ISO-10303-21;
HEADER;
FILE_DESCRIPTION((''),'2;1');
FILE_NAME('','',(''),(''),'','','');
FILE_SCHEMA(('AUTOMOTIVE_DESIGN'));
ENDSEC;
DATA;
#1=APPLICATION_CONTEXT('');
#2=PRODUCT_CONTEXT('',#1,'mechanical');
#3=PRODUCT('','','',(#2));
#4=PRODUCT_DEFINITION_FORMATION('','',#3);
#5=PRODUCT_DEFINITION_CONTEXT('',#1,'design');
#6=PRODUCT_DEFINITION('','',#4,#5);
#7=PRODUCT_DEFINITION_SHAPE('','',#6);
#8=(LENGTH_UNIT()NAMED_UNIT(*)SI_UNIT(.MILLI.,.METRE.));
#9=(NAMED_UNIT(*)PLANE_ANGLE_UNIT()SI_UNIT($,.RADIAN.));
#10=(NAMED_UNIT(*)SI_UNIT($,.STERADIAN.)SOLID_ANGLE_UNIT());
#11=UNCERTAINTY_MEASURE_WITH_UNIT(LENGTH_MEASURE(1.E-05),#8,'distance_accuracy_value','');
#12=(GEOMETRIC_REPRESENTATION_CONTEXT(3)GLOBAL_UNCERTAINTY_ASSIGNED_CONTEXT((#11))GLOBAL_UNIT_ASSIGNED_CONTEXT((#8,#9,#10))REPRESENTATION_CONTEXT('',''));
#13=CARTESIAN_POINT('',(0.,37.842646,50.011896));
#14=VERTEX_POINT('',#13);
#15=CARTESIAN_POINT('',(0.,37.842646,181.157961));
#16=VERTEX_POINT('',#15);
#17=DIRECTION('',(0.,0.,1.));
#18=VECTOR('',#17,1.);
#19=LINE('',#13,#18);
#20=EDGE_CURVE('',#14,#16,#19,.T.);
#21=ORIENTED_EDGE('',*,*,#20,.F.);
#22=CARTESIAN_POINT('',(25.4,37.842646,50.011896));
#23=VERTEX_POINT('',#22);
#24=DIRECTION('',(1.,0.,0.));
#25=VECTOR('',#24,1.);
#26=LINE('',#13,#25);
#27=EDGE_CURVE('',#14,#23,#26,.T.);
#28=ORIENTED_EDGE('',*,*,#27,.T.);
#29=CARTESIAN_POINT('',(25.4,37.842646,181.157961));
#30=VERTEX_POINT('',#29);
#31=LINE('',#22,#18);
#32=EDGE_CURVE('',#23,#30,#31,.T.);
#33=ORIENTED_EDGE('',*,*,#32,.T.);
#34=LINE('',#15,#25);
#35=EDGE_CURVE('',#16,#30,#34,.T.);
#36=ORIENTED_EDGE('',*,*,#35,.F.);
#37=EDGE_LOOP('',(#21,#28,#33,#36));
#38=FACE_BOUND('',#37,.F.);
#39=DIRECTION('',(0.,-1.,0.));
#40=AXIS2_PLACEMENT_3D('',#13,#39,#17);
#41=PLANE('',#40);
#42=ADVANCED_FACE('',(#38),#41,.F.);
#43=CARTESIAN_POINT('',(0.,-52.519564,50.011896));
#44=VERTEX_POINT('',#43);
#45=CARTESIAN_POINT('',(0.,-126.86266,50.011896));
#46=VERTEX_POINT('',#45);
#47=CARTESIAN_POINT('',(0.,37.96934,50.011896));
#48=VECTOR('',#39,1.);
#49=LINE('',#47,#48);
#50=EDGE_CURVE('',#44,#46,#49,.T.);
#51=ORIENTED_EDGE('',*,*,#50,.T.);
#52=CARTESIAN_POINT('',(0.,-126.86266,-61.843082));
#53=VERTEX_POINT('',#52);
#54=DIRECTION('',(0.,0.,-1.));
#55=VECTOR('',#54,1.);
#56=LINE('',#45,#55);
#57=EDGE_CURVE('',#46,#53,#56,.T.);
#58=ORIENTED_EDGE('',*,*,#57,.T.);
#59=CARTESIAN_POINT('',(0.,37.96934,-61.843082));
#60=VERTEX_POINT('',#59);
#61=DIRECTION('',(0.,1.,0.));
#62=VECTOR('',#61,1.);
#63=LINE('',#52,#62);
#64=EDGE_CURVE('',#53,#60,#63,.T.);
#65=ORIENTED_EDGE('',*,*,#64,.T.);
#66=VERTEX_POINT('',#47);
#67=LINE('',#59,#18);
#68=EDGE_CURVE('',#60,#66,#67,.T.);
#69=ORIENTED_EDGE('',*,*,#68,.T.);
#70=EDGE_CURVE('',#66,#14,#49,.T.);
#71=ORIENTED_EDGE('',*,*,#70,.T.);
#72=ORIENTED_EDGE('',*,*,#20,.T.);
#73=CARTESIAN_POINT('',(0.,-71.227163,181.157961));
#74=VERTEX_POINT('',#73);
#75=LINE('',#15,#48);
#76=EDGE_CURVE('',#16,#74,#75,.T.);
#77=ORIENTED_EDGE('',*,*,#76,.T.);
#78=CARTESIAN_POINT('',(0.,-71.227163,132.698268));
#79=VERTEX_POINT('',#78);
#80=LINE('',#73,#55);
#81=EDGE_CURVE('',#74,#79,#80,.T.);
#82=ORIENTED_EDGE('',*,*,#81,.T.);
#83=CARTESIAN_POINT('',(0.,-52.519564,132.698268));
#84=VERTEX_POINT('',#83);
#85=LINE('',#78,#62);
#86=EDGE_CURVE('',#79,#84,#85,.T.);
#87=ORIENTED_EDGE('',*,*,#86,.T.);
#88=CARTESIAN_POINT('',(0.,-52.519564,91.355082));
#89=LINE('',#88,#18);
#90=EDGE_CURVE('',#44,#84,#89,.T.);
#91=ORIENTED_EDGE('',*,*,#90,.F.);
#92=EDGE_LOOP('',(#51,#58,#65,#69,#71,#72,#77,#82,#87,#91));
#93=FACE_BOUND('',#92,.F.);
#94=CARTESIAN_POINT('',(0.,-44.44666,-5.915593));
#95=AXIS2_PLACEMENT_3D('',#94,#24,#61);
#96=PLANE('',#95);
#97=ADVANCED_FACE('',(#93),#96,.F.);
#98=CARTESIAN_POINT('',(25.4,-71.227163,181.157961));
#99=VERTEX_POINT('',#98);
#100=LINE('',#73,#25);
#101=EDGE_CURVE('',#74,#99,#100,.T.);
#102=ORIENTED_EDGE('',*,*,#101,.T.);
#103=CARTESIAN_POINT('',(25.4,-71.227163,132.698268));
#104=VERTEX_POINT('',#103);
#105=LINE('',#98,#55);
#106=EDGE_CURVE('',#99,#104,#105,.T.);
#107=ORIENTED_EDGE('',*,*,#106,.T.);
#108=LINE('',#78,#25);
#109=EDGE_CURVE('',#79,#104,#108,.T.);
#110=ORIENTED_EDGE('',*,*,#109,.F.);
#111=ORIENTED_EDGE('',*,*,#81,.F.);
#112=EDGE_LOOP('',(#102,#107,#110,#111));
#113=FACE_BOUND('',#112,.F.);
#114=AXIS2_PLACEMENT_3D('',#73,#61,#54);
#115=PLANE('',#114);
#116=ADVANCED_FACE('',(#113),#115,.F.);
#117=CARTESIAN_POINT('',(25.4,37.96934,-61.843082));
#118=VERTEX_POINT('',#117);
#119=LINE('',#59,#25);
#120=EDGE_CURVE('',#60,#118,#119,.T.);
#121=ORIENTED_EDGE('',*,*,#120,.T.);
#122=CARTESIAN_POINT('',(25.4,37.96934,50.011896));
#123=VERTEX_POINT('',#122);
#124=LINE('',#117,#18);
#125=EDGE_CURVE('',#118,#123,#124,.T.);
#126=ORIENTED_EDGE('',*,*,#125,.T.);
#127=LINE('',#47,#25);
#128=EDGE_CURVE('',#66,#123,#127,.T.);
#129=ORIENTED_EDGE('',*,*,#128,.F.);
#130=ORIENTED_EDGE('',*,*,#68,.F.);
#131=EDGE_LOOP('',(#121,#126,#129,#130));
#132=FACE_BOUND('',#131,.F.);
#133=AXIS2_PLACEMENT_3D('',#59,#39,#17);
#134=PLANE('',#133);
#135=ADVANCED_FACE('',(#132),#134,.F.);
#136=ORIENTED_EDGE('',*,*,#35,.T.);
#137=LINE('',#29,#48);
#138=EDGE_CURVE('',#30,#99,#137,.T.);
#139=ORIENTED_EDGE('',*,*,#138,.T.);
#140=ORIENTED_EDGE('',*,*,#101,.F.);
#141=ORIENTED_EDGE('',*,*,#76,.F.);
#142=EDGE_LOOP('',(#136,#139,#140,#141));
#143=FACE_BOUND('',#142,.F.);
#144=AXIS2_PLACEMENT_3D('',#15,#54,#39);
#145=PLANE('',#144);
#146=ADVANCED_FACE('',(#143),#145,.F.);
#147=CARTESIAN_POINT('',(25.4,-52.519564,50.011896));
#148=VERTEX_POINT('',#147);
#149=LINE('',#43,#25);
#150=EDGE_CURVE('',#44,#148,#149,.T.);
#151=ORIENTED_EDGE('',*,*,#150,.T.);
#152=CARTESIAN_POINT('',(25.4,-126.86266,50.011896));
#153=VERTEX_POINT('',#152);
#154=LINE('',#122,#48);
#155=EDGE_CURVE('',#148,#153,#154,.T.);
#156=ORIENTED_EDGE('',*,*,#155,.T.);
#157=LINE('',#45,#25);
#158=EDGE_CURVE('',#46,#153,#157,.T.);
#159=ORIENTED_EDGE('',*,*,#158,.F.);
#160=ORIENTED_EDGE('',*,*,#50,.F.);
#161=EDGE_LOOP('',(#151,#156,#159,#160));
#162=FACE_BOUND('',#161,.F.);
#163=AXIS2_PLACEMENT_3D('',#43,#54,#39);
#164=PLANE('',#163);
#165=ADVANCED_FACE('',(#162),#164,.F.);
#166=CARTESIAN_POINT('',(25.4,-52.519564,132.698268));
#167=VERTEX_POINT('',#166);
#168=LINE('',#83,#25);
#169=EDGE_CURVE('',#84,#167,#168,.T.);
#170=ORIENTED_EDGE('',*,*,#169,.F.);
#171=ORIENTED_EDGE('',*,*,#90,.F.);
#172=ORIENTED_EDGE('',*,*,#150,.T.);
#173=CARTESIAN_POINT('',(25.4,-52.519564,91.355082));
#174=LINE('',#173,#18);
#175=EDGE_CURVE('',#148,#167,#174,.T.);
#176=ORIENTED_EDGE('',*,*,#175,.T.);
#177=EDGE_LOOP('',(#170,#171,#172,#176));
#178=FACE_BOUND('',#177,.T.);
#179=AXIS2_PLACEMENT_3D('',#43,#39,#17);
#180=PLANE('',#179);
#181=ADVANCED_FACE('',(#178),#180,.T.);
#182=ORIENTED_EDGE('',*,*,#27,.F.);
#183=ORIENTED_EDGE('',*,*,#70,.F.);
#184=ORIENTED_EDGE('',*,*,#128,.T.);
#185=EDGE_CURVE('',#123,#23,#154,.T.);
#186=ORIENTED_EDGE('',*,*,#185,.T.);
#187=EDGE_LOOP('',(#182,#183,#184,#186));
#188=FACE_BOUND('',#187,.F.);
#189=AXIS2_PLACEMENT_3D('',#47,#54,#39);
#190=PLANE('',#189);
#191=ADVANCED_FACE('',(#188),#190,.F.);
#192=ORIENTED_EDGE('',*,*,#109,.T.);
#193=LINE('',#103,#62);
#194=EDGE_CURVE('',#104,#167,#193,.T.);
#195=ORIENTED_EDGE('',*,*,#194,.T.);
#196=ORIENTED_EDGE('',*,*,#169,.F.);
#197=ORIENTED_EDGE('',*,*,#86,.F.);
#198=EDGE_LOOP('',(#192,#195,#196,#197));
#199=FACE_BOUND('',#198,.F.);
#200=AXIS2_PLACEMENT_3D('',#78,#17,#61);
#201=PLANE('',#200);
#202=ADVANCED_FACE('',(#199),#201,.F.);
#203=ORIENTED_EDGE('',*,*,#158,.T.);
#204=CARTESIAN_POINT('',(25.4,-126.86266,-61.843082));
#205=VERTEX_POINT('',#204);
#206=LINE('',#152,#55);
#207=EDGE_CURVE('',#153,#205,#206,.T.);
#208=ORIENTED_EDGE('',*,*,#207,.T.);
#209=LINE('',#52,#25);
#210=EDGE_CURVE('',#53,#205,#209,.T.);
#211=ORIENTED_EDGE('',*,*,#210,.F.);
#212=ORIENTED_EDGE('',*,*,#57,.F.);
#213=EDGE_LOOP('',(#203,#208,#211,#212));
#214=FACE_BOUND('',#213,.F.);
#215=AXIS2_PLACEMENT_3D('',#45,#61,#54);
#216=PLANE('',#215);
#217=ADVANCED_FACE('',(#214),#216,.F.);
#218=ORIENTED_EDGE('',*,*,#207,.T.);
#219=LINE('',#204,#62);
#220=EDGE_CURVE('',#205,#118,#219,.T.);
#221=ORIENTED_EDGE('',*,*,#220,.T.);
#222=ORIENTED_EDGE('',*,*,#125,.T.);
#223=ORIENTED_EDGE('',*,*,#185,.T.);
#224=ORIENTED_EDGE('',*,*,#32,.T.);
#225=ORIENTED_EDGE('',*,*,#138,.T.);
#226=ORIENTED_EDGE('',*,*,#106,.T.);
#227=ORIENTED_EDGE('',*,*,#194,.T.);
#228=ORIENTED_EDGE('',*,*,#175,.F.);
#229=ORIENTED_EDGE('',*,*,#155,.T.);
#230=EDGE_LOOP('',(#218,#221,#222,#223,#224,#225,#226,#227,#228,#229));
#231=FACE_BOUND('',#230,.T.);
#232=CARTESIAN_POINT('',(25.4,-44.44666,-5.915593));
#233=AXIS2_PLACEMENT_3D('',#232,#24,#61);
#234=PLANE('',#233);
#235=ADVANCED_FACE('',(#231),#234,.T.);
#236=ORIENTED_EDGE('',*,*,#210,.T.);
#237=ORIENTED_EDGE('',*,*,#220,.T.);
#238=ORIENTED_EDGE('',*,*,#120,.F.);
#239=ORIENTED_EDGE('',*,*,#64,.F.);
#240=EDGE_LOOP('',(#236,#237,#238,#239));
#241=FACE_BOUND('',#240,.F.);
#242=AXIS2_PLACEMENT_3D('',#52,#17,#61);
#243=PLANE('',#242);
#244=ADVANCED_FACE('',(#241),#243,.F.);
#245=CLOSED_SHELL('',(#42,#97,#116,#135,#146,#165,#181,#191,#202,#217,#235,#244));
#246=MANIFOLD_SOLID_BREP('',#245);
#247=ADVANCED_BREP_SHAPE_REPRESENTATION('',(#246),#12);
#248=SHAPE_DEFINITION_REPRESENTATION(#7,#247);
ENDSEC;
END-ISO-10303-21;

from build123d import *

# Parameters (mm, degrees)
F0_W     = 90.36221
F0_H     = 82.686372
F1_DEPTH = 25.4


with BuildPart() as f1:
    # F0 (on Right) → F1 (new body)
    with BuildSketch(Plane.YZ):
        Polygon((-52.519564, 50.011896), (-126.86266, 50.011896), (-126.86266, -61.843082), (37.96934, -61.843082), (37.96934, 50.011896), (37.842646, 50.011896), align=None)
        with Locations((-7.338459, 91.355082)):
            Rectangle(F0_W, F0_H)
        Polygon((-71.227163, 132.698268), (-52.519564, 132.698268), (37.842646, 132.698268), (37.842646, 181.157961), (-71.227163, 181.157961), align=None)
    extrude(amount=F1_DEPTH)


solid = f1.part
